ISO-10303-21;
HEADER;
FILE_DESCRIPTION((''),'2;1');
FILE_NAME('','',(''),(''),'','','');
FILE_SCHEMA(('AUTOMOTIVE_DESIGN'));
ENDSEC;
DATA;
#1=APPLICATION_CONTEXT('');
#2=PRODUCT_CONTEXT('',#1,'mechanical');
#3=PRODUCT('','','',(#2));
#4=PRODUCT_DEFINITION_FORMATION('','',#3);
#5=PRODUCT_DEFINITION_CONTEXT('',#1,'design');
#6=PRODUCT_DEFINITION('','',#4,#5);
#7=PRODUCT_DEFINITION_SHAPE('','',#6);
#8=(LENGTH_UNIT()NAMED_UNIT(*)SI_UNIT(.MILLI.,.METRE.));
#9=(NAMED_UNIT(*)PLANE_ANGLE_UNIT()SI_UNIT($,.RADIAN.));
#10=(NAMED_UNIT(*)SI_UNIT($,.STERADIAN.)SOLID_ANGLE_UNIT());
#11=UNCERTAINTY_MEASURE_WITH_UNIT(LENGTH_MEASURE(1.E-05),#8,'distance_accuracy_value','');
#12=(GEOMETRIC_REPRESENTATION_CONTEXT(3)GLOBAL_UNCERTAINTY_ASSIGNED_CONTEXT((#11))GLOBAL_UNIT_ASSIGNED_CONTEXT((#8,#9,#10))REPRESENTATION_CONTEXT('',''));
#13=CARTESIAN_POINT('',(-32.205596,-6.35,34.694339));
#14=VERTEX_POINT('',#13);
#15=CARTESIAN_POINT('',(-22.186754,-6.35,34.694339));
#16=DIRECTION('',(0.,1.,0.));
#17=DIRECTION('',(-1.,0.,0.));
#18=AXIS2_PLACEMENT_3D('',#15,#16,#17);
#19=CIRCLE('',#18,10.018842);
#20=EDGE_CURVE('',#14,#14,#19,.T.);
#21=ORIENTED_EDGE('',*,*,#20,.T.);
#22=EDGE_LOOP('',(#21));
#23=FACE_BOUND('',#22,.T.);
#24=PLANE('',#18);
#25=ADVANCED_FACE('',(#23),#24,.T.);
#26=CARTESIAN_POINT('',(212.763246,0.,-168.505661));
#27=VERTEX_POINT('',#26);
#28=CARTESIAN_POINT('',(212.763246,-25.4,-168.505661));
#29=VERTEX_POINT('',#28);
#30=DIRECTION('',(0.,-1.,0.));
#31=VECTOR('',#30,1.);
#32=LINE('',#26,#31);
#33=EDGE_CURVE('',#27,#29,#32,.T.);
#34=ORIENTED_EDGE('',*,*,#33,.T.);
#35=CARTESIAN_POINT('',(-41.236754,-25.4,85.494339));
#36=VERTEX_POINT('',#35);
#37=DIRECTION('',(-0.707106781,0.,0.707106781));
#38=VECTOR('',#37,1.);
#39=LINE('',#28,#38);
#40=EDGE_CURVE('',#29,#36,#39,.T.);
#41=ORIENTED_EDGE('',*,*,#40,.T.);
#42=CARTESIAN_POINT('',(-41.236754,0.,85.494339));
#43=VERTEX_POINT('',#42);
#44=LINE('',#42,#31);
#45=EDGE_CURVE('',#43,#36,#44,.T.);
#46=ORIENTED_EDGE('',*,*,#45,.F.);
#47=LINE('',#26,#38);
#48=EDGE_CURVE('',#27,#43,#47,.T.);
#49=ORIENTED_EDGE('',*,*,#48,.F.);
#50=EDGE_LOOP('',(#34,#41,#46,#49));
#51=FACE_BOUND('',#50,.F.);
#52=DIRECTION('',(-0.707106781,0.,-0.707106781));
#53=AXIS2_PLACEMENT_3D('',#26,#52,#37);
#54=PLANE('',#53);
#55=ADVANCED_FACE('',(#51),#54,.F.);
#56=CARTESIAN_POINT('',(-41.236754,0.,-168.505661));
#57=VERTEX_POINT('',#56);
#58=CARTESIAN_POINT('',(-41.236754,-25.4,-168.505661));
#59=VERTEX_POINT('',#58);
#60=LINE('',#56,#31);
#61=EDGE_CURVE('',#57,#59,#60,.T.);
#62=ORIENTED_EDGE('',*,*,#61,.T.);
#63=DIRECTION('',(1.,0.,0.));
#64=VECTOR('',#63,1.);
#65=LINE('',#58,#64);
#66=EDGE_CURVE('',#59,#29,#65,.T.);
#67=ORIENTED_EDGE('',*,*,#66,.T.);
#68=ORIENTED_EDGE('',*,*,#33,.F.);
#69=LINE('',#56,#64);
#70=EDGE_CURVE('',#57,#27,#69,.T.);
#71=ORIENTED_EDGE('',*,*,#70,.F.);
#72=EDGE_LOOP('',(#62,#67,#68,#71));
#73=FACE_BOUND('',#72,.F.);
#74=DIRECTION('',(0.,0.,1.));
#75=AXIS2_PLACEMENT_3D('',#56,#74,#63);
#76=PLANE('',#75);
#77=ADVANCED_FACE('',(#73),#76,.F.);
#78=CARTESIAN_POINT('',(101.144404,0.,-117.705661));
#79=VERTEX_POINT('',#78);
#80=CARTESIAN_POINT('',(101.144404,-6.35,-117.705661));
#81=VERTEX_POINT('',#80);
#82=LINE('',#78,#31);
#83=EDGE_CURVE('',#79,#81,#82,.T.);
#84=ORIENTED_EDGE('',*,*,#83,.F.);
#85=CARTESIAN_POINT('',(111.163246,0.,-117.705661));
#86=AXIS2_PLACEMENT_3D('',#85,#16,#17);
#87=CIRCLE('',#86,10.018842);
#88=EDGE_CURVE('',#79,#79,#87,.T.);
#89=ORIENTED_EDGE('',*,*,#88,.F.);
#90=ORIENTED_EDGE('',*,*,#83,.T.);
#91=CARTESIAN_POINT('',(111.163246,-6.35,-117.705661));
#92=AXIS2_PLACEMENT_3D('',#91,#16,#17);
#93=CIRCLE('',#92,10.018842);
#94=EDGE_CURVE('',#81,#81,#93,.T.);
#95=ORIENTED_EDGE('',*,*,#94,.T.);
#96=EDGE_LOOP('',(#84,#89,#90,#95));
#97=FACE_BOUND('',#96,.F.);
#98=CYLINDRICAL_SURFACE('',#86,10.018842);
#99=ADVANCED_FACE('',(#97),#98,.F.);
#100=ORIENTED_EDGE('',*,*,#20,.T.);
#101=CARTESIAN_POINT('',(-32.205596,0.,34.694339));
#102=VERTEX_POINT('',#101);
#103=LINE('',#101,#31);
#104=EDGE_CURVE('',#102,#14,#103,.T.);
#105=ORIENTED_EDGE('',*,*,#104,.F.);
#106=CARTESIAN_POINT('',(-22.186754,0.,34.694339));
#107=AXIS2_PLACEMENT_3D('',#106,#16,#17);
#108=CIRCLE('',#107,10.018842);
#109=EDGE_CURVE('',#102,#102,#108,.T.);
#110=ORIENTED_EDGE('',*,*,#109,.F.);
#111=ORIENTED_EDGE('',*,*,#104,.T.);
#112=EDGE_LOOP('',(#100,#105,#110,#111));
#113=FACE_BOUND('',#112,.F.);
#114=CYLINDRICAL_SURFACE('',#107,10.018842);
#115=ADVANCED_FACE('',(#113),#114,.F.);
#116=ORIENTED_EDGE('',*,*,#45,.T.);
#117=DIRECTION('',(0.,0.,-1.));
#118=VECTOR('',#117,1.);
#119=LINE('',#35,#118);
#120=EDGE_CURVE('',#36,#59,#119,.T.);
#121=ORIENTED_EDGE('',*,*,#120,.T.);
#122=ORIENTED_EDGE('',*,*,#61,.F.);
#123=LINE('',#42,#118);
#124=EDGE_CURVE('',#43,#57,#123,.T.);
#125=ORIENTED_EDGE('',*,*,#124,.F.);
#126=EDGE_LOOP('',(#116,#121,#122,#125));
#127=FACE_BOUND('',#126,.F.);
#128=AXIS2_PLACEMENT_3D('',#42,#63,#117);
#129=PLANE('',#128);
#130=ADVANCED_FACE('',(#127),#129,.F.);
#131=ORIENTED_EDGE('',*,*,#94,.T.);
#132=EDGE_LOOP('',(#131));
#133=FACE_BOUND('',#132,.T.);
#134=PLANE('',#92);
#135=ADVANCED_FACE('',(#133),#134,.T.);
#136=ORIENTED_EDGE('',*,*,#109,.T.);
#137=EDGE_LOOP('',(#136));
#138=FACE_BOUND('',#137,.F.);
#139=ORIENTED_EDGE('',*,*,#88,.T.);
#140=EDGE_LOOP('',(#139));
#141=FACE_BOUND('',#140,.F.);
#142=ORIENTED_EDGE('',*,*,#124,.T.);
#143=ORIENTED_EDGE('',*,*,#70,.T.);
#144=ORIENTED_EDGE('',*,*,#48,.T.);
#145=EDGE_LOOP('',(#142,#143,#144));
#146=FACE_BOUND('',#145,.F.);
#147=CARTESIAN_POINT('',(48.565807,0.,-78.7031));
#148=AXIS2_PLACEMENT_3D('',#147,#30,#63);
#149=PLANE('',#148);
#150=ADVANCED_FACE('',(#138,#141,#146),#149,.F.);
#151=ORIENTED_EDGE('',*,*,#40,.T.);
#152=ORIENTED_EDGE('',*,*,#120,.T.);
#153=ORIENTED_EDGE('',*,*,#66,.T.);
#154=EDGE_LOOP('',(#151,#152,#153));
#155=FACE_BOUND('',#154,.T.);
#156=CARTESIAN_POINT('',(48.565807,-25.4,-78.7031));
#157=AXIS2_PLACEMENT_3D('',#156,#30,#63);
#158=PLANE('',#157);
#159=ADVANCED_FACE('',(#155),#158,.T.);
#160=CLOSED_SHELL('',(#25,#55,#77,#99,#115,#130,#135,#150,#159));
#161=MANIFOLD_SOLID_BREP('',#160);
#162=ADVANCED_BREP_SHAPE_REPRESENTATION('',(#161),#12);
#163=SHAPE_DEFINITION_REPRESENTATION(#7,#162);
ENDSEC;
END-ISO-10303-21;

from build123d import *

# Parameters (mm, degrees)
F1_DEPTH = 25.4
F2_R     = 10.018842
F3_DEPTH = 6.35


with BuildPart() as f1:
    # F0 (on Front) → F1 (new body)
    with BuildSketch(Plane.XZ):
        Polygon((212.763246, -168.505661), (-41.236754, 85.494339), (-41.236754, -168.505661), align=None)
    extrude(amount=F1_DEPTH)

    # F2 (on face) → F3 (cut)
    with BuildSketch(Plane(origin=(0, 0, 0), x_dir=(-1, 0, 0), z_dir=(0, 1, 0))):
        with Locations((22.186754, 34.694339)):
            Circle(F2_R)
        with Locations((-111.163246, -117.705661)):
            Circle(F2_R)
    extrude(amount=-F3_DEPTH, mode=Mode.SUBTRACT)


solid = f1.part
